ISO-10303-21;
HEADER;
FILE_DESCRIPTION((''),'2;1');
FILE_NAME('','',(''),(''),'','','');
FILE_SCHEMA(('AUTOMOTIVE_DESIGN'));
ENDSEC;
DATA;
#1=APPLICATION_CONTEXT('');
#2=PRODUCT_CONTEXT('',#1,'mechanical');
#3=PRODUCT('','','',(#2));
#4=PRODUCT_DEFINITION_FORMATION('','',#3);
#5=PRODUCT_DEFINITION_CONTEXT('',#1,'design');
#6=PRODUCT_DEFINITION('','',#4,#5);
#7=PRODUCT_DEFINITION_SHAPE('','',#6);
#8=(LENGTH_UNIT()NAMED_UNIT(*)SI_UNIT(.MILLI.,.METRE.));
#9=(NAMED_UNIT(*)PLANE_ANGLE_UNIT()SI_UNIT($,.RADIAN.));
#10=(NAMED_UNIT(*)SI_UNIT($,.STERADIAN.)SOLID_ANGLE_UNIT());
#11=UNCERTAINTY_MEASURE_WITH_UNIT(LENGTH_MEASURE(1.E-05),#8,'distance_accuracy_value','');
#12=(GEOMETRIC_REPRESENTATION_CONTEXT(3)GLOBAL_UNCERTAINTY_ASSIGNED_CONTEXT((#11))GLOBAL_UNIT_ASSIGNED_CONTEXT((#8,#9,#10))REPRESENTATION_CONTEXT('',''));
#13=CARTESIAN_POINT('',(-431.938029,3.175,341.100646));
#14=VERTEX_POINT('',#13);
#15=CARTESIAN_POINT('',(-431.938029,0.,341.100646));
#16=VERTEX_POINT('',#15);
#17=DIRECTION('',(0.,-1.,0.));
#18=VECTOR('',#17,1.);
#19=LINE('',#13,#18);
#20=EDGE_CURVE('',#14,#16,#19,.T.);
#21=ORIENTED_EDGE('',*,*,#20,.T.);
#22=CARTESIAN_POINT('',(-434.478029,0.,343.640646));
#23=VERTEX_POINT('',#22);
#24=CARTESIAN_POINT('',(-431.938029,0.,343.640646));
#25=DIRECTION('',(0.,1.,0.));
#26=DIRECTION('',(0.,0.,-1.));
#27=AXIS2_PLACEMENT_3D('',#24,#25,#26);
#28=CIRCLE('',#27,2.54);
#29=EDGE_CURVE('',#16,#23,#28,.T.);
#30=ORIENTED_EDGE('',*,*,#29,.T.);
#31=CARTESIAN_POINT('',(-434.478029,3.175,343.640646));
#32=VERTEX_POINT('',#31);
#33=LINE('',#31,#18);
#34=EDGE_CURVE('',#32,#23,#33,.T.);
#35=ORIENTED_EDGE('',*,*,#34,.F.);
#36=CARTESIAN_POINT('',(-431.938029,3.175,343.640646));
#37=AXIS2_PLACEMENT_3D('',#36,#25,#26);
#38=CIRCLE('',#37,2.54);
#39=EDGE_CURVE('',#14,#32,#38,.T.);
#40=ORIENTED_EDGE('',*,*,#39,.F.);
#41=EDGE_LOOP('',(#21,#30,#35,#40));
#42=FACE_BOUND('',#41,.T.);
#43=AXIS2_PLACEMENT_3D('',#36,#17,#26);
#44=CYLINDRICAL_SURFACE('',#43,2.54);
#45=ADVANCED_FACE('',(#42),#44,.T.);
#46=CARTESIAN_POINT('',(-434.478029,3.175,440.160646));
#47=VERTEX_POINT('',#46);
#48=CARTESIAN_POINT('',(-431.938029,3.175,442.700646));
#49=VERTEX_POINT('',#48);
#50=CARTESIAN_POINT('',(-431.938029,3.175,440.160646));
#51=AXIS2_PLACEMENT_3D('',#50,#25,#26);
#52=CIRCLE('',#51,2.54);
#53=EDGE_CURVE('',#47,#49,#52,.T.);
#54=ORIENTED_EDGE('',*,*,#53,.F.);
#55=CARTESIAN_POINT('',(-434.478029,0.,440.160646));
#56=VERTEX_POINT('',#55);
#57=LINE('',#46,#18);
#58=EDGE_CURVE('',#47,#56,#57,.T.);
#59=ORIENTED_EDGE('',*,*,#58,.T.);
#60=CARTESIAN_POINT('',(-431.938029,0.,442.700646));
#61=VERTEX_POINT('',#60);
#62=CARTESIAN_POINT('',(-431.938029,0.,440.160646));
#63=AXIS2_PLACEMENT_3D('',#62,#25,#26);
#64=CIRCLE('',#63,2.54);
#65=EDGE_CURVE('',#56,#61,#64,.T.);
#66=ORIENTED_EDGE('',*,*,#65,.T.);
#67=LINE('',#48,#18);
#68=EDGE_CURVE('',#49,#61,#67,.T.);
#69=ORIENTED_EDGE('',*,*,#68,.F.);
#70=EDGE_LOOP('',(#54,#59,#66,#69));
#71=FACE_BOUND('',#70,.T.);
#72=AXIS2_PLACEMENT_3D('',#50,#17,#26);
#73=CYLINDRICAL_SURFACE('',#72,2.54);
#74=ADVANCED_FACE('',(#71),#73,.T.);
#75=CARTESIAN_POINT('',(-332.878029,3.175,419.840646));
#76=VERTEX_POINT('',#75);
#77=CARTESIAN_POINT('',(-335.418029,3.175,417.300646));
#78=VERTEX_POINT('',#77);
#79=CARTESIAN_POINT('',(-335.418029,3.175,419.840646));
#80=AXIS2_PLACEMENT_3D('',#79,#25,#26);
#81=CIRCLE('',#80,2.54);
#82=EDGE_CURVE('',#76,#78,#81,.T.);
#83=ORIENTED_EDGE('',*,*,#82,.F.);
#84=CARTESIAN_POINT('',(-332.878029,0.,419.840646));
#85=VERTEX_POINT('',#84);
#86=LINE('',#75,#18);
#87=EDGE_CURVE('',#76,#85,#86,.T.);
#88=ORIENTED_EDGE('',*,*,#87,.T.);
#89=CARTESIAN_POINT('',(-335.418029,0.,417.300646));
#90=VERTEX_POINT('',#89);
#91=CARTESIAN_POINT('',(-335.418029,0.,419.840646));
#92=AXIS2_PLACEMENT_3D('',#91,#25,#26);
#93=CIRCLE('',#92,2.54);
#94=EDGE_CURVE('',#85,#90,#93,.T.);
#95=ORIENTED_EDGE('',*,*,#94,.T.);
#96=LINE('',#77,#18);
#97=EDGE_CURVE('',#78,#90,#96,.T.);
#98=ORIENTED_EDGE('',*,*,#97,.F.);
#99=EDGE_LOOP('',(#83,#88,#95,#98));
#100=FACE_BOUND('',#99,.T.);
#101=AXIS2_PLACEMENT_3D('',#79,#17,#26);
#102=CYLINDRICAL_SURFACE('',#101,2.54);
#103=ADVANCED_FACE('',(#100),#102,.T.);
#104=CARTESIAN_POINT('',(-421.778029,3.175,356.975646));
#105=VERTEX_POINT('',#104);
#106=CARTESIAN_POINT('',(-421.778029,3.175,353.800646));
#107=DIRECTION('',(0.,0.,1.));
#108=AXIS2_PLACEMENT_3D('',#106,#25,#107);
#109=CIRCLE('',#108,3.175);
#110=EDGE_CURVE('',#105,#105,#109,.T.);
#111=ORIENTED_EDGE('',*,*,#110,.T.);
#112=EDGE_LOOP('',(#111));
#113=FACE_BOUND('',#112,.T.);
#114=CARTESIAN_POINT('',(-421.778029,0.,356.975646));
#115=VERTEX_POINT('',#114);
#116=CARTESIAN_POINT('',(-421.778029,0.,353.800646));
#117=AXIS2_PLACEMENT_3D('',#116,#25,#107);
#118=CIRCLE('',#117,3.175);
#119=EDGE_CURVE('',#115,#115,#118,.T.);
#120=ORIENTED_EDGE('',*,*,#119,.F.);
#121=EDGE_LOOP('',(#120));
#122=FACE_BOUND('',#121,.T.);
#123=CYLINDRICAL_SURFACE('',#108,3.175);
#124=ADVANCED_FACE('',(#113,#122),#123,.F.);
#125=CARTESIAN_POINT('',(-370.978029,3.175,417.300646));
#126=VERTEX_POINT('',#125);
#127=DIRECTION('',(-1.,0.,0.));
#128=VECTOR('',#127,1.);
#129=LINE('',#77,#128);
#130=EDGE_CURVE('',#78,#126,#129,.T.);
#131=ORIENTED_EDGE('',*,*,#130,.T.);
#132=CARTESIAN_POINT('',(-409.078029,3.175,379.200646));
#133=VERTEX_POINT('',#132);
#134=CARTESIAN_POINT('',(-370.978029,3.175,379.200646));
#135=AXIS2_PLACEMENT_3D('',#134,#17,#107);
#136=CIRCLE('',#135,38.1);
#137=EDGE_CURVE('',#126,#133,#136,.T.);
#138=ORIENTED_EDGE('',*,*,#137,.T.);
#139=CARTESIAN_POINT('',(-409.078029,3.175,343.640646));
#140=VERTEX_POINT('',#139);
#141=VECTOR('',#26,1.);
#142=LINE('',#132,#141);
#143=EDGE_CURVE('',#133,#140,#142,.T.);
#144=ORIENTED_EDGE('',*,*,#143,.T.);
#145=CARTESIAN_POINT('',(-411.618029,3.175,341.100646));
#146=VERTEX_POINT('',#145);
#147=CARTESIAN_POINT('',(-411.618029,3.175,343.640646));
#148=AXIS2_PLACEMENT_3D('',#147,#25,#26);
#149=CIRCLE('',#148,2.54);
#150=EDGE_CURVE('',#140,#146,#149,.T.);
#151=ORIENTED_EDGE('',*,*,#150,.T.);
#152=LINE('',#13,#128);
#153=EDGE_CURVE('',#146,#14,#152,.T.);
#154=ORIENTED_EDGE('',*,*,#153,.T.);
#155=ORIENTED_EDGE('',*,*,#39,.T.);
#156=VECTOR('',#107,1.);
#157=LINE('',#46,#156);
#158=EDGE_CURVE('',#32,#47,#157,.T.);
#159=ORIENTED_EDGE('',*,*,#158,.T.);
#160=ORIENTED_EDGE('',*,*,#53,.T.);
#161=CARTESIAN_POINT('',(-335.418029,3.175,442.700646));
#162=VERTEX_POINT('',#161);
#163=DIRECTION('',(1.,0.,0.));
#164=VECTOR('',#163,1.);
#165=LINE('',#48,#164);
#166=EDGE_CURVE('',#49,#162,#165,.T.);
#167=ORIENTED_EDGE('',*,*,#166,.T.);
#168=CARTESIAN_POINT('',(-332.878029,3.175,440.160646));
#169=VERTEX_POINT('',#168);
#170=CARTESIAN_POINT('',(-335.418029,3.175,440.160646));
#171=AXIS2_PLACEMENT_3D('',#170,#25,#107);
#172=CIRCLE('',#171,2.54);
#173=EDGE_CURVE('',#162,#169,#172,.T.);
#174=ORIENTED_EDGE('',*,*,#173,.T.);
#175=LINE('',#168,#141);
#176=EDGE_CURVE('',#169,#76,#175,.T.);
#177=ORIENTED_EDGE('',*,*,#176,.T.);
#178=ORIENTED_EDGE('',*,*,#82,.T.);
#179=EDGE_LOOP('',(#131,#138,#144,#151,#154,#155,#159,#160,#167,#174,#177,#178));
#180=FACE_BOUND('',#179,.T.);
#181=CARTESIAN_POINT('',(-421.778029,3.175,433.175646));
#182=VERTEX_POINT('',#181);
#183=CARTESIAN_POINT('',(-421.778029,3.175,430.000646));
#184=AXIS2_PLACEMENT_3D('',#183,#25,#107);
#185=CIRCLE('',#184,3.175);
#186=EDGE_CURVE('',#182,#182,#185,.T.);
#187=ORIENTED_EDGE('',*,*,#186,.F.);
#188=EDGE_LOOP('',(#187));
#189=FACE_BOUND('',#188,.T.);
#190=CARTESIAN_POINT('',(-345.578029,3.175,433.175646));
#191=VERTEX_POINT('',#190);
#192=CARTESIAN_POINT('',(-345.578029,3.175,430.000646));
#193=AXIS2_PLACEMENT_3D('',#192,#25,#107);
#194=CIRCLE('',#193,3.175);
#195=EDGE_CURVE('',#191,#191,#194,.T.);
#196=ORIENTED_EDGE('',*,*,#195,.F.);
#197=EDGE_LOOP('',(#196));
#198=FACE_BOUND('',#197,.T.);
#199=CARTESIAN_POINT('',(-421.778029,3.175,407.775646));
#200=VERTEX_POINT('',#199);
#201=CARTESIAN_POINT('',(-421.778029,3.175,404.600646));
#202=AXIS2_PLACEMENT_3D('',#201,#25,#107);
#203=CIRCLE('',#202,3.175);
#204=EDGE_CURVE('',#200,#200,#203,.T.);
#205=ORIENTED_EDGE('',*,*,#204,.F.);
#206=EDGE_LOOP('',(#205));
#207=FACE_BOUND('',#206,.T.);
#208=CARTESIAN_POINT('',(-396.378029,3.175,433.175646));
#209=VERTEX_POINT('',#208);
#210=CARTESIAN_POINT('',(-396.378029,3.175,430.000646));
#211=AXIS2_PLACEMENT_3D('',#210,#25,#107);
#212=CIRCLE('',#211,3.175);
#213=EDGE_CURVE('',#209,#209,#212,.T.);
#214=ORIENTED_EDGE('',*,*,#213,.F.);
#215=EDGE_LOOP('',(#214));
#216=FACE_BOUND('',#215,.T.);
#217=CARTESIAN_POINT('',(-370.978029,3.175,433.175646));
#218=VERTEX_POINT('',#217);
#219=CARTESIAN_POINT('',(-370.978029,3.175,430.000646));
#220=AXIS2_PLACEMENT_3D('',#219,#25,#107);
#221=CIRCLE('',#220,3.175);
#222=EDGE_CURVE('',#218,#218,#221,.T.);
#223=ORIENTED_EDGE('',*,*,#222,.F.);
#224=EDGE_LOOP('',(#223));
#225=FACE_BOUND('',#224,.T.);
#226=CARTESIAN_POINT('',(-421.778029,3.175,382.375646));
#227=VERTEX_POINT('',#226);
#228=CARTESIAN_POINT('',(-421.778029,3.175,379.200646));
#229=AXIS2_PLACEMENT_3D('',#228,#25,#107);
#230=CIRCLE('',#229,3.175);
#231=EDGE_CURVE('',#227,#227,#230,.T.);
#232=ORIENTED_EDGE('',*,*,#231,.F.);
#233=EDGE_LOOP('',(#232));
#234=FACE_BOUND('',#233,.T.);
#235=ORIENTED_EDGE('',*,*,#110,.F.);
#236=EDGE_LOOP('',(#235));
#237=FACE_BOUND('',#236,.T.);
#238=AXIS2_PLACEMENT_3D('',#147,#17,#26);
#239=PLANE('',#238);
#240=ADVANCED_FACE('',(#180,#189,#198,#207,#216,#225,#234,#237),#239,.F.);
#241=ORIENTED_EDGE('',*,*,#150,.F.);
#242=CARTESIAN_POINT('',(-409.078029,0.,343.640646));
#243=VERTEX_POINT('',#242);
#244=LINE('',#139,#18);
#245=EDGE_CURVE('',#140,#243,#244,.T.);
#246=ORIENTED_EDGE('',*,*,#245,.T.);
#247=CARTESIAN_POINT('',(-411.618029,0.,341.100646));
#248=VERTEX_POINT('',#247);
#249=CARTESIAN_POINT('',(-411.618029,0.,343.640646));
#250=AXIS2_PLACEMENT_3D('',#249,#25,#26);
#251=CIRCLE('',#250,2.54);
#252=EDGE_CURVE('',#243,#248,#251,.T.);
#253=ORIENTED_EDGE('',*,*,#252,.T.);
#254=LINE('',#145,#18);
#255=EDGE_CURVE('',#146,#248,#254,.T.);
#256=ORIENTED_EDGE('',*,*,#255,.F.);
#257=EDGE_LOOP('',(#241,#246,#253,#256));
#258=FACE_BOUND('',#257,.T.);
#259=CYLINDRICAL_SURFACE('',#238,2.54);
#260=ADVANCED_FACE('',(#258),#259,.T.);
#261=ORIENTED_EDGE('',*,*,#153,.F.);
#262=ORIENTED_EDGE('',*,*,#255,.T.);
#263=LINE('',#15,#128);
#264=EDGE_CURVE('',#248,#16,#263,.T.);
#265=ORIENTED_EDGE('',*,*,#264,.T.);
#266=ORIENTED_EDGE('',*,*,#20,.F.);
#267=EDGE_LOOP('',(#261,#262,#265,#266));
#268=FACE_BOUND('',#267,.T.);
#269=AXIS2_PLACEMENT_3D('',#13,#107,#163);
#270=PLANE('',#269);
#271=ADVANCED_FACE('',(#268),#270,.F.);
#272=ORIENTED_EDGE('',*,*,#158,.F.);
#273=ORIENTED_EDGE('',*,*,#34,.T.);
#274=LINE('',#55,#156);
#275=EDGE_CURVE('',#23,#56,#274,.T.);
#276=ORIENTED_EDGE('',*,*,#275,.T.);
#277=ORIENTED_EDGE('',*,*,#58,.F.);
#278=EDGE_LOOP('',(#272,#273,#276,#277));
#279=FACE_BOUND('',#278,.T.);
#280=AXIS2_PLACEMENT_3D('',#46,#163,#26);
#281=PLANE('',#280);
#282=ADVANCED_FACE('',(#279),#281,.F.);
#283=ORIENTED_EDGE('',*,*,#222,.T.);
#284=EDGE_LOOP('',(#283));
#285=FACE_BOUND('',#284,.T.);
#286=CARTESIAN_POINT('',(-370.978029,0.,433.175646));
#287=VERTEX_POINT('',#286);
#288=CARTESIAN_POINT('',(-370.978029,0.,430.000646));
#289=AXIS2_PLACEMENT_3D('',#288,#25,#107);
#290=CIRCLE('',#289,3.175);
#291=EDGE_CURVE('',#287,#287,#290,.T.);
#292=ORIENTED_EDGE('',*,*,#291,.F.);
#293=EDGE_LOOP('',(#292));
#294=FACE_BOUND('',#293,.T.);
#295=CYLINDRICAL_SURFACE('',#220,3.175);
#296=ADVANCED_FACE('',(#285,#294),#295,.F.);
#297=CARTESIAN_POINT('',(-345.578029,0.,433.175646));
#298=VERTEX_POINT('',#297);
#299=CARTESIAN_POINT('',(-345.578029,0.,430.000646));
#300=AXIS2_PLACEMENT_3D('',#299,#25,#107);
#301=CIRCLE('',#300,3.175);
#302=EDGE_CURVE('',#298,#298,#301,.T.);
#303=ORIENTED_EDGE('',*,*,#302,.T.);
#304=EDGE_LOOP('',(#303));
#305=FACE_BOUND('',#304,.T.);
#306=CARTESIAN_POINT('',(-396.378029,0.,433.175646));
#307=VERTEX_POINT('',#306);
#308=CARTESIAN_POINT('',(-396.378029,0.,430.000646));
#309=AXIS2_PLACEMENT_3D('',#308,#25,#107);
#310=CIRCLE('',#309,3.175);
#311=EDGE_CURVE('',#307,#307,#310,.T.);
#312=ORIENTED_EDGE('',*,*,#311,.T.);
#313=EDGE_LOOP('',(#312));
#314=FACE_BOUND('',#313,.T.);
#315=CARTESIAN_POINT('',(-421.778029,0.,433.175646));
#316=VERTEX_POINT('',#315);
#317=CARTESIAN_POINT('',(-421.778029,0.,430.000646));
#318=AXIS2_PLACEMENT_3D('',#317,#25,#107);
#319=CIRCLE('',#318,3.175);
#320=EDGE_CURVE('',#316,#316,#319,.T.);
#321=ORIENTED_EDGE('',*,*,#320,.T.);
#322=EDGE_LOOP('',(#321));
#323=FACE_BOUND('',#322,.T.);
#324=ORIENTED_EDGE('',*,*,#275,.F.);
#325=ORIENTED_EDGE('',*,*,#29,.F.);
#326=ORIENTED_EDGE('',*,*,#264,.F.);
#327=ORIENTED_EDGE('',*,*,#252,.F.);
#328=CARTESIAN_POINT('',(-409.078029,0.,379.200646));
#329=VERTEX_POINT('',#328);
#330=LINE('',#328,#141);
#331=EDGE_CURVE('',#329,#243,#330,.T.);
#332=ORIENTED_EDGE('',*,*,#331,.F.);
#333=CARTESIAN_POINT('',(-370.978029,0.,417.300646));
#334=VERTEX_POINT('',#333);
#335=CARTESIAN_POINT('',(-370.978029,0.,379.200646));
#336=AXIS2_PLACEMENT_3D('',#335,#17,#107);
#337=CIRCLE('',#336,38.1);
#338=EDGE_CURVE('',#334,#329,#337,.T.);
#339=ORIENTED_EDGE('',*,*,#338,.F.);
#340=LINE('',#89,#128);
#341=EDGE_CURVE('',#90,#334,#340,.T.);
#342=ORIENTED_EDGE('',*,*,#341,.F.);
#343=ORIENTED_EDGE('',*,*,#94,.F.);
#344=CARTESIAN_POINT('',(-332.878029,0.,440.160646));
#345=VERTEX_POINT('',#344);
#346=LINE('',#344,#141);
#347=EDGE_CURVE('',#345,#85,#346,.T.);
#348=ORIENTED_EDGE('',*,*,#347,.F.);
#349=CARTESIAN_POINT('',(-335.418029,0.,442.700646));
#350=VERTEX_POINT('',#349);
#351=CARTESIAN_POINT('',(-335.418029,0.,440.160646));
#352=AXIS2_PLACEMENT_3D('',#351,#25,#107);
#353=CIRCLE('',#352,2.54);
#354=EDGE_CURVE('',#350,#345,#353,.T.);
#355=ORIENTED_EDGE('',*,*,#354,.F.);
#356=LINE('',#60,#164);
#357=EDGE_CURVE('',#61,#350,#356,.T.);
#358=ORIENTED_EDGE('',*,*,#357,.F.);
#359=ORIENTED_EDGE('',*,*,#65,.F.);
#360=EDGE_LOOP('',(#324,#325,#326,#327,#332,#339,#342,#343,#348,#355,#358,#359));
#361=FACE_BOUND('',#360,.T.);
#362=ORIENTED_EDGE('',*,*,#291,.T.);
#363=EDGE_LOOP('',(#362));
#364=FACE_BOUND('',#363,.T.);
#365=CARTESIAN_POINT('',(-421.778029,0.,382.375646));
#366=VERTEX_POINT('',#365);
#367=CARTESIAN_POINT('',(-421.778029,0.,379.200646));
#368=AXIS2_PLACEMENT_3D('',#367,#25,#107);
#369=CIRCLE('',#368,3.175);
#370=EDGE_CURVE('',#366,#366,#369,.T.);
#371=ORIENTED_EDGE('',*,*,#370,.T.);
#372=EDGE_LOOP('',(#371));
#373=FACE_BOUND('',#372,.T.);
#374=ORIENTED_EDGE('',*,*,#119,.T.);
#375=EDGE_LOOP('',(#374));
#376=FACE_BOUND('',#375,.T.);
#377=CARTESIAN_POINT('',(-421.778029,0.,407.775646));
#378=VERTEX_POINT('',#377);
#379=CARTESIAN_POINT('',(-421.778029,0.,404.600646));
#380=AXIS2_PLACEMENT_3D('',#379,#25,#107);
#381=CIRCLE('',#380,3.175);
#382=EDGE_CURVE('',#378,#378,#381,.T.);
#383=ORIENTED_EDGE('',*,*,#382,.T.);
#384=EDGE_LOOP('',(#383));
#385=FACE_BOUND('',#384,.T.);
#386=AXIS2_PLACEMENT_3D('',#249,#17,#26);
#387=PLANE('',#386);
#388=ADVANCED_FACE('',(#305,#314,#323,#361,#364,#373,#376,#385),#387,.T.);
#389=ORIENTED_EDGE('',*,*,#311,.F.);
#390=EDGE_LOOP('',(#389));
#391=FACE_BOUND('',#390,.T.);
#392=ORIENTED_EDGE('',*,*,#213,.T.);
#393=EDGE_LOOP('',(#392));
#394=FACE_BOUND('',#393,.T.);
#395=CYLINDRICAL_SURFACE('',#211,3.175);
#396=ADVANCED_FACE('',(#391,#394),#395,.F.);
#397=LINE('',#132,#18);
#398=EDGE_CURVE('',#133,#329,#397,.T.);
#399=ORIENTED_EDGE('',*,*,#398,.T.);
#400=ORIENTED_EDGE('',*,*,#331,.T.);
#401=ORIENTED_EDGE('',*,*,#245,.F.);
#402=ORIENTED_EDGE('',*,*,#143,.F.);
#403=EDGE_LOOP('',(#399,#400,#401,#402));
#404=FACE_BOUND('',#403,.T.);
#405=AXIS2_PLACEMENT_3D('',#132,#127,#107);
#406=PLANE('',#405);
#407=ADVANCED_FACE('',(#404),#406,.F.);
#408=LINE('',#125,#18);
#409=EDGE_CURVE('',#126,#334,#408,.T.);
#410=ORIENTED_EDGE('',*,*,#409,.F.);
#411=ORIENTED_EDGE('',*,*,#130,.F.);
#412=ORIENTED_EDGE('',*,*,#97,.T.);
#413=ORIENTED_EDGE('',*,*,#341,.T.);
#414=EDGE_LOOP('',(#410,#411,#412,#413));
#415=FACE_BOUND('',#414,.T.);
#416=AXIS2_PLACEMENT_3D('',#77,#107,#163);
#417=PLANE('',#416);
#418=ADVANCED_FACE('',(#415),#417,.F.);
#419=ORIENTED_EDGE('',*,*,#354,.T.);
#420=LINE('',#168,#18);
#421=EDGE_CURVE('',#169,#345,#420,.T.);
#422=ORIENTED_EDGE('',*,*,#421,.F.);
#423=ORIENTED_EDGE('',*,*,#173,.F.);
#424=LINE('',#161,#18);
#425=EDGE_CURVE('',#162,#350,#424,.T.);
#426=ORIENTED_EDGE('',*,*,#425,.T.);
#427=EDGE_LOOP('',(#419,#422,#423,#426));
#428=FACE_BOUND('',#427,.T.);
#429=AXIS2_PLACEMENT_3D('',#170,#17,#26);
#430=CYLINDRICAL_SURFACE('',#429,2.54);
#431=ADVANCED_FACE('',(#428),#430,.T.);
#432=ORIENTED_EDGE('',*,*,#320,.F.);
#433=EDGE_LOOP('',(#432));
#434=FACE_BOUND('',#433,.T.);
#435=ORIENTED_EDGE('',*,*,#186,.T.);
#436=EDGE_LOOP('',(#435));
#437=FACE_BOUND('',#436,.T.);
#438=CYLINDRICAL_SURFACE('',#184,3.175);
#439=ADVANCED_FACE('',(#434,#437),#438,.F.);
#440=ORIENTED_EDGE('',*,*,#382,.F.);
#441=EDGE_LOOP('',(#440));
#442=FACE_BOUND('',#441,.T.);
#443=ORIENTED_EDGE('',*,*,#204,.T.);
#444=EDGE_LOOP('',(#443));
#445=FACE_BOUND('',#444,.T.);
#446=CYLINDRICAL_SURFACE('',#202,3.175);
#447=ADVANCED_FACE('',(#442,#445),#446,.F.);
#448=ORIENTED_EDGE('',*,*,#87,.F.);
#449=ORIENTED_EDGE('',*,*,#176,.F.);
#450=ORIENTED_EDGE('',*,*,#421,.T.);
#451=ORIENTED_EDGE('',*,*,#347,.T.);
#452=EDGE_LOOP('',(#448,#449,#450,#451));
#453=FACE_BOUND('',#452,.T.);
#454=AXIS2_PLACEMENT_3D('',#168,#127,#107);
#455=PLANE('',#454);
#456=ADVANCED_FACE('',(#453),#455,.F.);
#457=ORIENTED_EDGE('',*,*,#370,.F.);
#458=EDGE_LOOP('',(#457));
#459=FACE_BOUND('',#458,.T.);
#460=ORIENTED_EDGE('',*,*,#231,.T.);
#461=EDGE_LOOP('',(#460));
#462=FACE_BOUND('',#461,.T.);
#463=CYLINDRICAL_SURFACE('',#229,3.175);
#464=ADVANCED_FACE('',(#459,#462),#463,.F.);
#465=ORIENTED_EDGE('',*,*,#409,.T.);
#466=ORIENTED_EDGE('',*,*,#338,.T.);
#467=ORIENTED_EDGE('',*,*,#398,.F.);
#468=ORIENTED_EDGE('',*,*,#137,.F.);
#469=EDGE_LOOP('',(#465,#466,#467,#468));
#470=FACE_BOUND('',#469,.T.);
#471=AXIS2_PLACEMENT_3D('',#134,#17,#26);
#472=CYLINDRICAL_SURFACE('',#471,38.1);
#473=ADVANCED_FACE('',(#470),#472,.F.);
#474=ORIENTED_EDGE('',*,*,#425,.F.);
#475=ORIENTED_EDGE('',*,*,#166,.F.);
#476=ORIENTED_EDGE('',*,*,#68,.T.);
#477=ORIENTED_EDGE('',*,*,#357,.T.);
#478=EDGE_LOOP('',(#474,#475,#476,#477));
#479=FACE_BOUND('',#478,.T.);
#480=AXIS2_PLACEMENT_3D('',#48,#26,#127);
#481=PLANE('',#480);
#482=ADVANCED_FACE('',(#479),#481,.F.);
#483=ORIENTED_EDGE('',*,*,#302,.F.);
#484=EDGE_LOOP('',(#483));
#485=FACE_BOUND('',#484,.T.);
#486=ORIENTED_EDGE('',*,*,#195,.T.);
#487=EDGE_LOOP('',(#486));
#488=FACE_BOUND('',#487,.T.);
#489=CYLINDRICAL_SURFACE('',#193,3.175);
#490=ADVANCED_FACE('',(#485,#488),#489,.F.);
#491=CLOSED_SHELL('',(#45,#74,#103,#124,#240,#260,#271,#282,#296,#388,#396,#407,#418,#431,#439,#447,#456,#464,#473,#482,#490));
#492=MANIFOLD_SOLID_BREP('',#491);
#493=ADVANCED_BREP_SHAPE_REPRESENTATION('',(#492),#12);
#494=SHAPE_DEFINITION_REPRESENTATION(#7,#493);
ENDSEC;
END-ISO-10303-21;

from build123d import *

# Parameters (mm, degrees)
BOSS_EXTRUDE1_DEPTH         = 3.175
F_1_4_0_25_DIAMETER_HOLE1_D = 6.35
F_1_4_0_25_DIAMETER_HOLE2_D = 6.35


with BuildPart() as part:
    # Sketch2 → Boss-Extrude1 (new body)
    with BuildSketch(Plane(origin=(0, 0, 0), x_dir=(1, 0, 0), z_dir=(0, 1, 0))):
        with BuildLine():
            Line((-431.938028743, -442.700646237), (-335.418028743, -442.700646237))
            ThreePointArc((-335.418028743, -442.700646237), (-333.621977519, -441.956697461), (-332.878028743, -440.160646237))
            Line((-332.878028743, -440.160646237), (-332.878028743, -419.840646237))
            ThreePointArc((-332.878028743, -419.840646237), (-333.621977519, -418.044595013), (-335.418028743, -417.300646237))
            Line((-335.418028743, -417.300646237), (-370.978028743, -417.300646237))
            ThreePointArc((-370.978028743, -417.300646237), (-397.918797106, -406.1414146), (-409.078028743, -379.200646237))
            Line((-409.078028743, -379.200646237), (-409.078028743, -343.640646237))
            ThreePointArc((-409.078028743, -343.640646237), (-409.821977519, -341.844595013), (-411.618028743, -341.100646237))
            Line((-411.618028743, -341.100646237), (-431.938028743, -341.100646237))
            ThreePointArc((-431.938028743, -341.100646237), (-433.734079967, -341.844595013), (-434.478028743, -343.640646237))
            Line((-434.478028743, -343.640646237), (-434.478028743, -440.160646237))
            ThreePointArc((-434.478028743, -440.160646237), (-433.734079967, -441.956697461), (-431.938028743, -442.700646237))
        make_face()
    extrude(amount=BOSS_EXTRUDE1_DEPTH)

    # 1/4 (0.25) Diameter Hole1 (through all)
    with Locations(Plane(origin=(0, 3.175, 0), x_dir=(1, 0, 0), z_dir=(0, 1, 0))):
        with Locations((-421.778028743, -353.800646237), (-421.778028743, -379.200646237), (-370.978028743, -430.000646237), (-345.578028743, -430.000646237)):
            Hole(F_1_4_0_25_DIAMETER_HOLE1_D / 2)

    # 1/4 (0.25) Diameter Hole2 (through all)
    with Locations(Plane(origin=(0, 3.175, 0), x_dir=(1, 0, 0), z_dir=(0, 1, 0))):
        with Locations((-421.778028743, -430.000646237), (-396.378028743, -430.000646237), (-421.778028743, -404.600646237)):
            Hole(F_1_4_0_25_DIAMETER_HOLE2_D / 2)


solid = part.part
